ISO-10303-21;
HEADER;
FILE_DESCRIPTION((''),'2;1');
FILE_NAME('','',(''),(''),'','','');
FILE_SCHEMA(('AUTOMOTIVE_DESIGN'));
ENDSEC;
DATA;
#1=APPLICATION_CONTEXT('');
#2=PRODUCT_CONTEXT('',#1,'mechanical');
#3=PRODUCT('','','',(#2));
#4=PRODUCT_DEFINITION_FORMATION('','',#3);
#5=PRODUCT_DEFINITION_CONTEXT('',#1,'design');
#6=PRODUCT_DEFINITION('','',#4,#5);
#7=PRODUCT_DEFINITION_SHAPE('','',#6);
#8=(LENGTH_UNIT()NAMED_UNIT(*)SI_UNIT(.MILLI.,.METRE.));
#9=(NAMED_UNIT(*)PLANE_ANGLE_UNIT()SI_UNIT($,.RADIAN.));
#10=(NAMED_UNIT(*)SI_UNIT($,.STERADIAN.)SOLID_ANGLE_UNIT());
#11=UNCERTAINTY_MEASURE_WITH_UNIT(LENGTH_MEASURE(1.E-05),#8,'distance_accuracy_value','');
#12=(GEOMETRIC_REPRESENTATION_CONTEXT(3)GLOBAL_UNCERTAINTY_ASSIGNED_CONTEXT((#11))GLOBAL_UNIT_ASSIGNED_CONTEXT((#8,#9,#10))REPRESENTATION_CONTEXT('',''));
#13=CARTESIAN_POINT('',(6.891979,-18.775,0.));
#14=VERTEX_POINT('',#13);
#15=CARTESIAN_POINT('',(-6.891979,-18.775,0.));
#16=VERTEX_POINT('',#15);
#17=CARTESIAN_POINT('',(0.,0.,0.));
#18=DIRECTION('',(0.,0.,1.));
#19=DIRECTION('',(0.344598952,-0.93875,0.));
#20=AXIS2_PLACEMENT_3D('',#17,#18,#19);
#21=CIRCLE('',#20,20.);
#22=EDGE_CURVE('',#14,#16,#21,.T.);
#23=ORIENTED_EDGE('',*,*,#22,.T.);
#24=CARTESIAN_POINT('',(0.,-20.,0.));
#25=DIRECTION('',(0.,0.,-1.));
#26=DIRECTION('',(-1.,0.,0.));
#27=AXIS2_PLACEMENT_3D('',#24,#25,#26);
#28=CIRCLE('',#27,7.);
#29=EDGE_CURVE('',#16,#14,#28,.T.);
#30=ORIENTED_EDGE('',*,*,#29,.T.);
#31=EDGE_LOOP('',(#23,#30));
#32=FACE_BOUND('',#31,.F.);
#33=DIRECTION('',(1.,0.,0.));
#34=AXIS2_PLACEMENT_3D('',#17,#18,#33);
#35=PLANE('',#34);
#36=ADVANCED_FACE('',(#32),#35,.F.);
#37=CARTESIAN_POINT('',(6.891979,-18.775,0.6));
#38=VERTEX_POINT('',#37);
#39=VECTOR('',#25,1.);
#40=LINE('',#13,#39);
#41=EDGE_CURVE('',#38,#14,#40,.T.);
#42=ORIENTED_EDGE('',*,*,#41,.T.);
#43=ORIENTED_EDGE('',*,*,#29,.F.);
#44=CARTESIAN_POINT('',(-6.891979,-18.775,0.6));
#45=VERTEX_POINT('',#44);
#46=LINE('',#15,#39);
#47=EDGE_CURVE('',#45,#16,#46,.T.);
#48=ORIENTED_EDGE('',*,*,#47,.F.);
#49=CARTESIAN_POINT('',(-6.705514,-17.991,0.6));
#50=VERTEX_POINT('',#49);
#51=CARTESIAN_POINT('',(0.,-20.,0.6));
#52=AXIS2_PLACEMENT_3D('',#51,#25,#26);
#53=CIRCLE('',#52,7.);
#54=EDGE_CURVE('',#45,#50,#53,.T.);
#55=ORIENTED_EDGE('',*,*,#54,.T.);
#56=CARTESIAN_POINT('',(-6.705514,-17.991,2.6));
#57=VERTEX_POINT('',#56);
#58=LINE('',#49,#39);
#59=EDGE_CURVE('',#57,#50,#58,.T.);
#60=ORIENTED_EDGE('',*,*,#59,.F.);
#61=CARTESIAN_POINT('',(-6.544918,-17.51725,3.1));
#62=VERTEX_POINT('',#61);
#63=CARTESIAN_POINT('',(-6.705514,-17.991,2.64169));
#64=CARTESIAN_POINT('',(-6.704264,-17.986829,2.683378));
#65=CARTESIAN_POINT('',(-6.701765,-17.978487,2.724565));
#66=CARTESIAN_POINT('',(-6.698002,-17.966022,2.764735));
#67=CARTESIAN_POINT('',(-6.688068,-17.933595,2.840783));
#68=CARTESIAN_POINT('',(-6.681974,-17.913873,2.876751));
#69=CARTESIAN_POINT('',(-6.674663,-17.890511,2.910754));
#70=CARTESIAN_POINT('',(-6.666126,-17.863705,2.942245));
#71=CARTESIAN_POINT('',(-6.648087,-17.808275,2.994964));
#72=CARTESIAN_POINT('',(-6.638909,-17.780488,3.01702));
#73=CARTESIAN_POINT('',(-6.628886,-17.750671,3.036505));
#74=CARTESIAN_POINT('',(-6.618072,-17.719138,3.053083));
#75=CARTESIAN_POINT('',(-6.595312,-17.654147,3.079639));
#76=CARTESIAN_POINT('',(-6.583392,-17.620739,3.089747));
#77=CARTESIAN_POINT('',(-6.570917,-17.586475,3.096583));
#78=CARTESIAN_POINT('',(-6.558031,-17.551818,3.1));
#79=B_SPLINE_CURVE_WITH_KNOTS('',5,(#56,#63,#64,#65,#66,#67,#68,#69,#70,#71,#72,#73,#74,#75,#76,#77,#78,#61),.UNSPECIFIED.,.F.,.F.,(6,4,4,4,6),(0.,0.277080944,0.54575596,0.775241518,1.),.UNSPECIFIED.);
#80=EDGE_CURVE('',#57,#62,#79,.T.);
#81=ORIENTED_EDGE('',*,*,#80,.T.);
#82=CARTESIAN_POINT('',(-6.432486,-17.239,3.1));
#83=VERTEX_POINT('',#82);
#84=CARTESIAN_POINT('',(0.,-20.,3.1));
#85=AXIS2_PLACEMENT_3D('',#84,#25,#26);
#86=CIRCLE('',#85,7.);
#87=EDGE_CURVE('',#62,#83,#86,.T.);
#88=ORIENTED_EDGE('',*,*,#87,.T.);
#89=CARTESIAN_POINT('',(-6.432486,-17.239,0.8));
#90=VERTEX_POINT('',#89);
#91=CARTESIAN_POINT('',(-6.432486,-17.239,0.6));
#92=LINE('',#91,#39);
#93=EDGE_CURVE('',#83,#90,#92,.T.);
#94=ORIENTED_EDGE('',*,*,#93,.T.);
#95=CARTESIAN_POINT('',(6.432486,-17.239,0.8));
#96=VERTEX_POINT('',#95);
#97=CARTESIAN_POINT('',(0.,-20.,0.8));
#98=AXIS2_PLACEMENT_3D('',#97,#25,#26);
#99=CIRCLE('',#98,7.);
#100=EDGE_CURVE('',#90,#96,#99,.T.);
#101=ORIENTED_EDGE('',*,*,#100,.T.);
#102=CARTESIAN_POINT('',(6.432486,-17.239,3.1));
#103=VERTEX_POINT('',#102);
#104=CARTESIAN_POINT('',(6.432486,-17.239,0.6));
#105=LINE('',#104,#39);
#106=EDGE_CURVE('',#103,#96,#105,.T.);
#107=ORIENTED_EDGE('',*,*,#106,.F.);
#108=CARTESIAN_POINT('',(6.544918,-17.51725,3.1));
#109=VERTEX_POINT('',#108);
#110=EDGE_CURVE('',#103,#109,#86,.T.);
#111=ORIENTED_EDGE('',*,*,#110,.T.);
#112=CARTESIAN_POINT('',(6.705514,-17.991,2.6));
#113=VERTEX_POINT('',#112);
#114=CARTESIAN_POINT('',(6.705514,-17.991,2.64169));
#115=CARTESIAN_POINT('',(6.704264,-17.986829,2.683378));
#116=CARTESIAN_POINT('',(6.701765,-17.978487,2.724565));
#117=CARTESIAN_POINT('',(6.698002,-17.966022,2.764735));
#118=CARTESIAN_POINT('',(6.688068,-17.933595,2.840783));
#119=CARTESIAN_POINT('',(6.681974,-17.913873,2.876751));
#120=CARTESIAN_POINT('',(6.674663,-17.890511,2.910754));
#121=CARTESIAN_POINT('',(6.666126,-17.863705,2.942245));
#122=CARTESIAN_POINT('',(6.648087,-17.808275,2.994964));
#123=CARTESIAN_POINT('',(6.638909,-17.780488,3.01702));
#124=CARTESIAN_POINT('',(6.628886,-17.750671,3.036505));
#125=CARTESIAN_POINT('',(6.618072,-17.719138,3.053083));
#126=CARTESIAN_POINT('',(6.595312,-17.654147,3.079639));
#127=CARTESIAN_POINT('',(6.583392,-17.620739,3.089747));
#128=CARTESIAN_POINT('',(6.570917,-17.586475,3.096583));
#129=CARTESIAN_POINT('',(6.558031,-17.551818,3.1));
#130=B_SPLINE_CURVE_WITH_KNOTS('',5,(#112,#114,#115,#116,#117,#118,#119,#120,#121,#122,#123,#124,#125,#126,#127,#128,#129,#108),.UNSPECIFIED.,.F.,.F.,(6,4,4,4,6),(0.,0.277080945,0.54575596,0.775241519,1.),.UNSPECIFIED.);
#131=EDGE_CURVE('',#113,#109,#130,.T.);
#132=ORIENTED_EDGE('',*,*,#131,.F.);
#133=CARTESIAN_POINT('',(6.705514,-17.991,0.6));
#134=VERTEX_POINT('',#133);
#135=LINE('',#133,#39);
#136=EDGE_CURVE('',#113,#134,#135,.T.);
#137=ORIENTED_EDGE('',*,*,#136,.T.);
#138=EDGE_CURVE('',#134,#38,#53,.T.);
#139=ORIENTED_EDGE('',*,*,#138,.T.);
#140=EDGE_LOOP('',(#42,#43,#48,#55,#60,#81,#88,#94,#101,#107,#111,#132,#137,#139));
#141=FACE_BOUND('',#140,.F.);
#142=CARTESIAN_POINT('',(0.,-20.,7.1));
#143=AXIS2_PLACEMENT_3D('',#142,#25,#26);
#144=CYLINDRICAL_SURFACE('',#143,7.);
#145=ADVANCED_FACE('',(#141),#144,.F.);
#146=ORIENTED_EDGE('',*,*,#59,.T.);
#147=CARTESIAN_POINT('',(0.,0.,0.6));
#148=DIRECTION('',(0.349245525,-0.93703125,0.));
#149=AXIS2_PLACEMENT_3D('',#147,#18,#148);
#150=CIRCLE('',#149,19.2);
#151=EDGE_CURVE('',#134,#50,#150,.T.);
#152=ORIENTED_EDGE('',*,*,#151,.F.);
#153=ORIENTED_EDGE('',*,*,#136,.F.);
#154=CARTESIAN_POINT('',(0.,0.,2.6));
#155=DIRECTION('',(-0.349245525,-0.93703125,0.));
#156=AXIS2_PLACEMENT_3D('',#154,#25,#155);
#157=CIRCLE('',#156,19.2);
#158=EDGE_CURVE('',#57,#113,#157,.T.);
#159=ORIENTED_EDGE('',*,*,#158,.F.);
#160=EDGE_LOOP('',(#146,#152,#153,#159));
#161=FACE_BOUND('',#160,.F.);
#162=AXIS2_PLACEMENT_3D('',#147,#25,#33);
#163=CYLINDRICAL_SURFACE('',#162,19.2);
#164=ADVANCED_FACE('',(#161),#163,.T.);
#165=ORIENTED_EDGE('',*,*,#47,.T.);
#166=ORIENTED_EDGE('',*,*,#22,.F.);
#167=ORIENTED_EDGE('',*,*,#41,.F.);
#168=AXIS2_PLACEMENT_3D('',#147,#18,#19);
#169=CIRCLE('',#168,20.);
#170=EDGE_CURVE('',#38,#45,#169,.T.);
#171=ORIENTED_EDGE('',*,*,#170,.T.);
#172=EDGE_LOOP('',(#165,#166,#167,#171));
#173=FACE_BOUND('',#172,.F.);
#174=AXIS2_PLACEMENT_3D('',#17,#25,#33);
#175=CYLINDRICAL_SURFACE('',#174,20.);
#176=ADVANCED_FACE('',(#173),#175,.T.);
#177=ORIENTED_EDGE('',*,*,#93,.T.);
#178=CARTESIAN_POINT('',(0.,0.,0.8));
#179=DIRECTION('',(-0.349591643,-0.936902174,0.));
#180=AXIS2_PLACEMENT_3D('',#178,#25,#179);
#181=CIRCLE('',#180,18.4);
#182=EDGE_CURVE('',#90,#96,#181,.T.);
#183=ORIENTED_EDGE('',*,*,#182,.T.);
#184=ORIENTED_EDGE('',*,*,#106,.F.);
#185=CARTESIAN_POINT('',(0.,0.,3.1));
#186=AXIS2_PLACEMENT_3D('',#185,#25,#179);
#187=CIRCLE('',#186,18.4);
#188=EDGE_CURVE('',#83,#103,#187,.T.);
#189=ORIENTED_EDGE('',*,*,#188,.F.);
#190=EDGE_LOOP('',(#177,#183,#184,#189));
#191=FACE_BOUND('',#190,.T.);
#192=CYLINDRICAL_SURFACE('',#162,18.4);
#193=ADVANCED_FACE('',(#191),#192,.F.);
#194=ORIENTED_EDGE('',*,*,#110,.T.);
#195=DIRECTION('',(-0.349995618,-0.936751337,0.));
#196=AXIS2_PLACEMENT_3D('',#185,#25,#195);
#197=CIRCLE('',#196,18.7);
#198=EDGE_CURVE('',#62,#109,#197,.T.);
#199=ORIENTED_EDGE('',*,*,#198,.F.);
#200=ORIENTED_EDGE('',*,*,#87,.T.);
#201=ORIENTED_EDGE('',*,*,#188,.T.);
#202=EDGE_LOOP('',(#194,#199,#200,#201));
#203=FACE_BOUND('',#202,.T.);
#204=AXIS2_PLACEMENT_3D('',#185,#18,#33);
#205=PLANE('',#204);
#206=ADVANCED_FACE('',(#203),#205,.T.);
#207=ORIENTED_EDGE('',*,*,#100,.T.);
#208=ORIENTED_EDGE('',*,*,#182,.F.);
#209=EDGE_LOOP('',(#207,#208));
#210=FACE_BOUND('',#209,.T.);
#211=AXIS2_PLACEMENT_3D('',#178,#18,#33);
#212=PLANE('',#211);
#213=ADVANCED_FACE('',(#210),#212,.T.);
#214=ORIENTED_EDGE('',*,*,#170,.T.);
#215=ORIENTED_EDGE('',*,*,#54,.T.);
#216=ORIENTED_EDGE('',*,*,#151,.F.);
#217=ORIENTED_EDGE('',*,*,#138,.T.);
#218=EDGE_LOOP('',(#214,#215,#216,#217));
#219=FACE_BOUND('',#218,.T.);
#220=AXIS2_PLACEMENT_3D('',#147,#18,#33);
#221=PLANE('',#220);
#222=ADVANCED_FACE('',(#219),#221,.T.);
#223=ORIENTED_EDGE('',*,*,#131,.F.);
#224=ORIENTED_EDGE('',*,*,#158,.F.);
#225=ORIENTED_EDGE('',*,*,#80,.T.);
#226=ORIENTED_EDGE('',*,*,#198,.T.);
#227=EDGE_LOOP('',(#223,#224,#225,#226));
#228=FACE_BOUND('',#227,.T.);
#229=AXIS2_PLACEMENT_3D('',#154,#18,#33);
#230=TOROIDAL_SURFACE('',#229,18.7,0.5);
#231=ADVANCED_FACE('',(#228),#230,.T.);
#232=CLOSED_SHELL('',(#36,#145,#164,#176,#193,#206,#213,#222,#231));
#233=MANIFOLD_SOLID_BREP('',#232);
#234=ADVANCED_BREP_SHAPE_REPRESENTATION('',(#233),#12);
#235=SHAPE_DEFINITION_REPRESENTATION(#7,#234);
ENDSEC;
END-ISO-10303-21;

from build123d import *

# Parameters (mm, degrees)
F0_R     = 20
F1_DEPTH = 0.6
F3_R     = 19.2
F4_DEPTH = 2.5
F5_T     = -0.8
F6_R     = 0.5
F9_D     = 14
F9_DEPTH = 4


with BuildPart() as f1:
    # F0 (on Top) → F1 (new body)
    with BuildSketch(Plane.XY):
        Circle(F0_R)
    extrude(amount=F1_DEPTH)

    # F3 (on face) → F4 (join)
    with BuildSketch(Plane.XY.offset(0.6)):
        Circle(F3_R)
    extrude(amount=F4_DEPTH)

    # F5
    f5_openings = [f1.faces().sort_by_distance(p)[0] for p in [
        (0, 0, 3.1),
    ]]
    offset(amount=F5_T, openings=f5_openings)

    # F6
    f6_edges = [f1.edges().sort_by_distance(p)[0] for p in [
        (-19.2, 0, 3.1),
    ]]
    fillet(f6_edges, radius=F6_R)

    # F9
    with Locations(Plane.XY.offset(3.1)):
        with Locations((0, -20)):
            Hole(F9_D / 2, depth=F9_DEPTH)


solid = f1.part
